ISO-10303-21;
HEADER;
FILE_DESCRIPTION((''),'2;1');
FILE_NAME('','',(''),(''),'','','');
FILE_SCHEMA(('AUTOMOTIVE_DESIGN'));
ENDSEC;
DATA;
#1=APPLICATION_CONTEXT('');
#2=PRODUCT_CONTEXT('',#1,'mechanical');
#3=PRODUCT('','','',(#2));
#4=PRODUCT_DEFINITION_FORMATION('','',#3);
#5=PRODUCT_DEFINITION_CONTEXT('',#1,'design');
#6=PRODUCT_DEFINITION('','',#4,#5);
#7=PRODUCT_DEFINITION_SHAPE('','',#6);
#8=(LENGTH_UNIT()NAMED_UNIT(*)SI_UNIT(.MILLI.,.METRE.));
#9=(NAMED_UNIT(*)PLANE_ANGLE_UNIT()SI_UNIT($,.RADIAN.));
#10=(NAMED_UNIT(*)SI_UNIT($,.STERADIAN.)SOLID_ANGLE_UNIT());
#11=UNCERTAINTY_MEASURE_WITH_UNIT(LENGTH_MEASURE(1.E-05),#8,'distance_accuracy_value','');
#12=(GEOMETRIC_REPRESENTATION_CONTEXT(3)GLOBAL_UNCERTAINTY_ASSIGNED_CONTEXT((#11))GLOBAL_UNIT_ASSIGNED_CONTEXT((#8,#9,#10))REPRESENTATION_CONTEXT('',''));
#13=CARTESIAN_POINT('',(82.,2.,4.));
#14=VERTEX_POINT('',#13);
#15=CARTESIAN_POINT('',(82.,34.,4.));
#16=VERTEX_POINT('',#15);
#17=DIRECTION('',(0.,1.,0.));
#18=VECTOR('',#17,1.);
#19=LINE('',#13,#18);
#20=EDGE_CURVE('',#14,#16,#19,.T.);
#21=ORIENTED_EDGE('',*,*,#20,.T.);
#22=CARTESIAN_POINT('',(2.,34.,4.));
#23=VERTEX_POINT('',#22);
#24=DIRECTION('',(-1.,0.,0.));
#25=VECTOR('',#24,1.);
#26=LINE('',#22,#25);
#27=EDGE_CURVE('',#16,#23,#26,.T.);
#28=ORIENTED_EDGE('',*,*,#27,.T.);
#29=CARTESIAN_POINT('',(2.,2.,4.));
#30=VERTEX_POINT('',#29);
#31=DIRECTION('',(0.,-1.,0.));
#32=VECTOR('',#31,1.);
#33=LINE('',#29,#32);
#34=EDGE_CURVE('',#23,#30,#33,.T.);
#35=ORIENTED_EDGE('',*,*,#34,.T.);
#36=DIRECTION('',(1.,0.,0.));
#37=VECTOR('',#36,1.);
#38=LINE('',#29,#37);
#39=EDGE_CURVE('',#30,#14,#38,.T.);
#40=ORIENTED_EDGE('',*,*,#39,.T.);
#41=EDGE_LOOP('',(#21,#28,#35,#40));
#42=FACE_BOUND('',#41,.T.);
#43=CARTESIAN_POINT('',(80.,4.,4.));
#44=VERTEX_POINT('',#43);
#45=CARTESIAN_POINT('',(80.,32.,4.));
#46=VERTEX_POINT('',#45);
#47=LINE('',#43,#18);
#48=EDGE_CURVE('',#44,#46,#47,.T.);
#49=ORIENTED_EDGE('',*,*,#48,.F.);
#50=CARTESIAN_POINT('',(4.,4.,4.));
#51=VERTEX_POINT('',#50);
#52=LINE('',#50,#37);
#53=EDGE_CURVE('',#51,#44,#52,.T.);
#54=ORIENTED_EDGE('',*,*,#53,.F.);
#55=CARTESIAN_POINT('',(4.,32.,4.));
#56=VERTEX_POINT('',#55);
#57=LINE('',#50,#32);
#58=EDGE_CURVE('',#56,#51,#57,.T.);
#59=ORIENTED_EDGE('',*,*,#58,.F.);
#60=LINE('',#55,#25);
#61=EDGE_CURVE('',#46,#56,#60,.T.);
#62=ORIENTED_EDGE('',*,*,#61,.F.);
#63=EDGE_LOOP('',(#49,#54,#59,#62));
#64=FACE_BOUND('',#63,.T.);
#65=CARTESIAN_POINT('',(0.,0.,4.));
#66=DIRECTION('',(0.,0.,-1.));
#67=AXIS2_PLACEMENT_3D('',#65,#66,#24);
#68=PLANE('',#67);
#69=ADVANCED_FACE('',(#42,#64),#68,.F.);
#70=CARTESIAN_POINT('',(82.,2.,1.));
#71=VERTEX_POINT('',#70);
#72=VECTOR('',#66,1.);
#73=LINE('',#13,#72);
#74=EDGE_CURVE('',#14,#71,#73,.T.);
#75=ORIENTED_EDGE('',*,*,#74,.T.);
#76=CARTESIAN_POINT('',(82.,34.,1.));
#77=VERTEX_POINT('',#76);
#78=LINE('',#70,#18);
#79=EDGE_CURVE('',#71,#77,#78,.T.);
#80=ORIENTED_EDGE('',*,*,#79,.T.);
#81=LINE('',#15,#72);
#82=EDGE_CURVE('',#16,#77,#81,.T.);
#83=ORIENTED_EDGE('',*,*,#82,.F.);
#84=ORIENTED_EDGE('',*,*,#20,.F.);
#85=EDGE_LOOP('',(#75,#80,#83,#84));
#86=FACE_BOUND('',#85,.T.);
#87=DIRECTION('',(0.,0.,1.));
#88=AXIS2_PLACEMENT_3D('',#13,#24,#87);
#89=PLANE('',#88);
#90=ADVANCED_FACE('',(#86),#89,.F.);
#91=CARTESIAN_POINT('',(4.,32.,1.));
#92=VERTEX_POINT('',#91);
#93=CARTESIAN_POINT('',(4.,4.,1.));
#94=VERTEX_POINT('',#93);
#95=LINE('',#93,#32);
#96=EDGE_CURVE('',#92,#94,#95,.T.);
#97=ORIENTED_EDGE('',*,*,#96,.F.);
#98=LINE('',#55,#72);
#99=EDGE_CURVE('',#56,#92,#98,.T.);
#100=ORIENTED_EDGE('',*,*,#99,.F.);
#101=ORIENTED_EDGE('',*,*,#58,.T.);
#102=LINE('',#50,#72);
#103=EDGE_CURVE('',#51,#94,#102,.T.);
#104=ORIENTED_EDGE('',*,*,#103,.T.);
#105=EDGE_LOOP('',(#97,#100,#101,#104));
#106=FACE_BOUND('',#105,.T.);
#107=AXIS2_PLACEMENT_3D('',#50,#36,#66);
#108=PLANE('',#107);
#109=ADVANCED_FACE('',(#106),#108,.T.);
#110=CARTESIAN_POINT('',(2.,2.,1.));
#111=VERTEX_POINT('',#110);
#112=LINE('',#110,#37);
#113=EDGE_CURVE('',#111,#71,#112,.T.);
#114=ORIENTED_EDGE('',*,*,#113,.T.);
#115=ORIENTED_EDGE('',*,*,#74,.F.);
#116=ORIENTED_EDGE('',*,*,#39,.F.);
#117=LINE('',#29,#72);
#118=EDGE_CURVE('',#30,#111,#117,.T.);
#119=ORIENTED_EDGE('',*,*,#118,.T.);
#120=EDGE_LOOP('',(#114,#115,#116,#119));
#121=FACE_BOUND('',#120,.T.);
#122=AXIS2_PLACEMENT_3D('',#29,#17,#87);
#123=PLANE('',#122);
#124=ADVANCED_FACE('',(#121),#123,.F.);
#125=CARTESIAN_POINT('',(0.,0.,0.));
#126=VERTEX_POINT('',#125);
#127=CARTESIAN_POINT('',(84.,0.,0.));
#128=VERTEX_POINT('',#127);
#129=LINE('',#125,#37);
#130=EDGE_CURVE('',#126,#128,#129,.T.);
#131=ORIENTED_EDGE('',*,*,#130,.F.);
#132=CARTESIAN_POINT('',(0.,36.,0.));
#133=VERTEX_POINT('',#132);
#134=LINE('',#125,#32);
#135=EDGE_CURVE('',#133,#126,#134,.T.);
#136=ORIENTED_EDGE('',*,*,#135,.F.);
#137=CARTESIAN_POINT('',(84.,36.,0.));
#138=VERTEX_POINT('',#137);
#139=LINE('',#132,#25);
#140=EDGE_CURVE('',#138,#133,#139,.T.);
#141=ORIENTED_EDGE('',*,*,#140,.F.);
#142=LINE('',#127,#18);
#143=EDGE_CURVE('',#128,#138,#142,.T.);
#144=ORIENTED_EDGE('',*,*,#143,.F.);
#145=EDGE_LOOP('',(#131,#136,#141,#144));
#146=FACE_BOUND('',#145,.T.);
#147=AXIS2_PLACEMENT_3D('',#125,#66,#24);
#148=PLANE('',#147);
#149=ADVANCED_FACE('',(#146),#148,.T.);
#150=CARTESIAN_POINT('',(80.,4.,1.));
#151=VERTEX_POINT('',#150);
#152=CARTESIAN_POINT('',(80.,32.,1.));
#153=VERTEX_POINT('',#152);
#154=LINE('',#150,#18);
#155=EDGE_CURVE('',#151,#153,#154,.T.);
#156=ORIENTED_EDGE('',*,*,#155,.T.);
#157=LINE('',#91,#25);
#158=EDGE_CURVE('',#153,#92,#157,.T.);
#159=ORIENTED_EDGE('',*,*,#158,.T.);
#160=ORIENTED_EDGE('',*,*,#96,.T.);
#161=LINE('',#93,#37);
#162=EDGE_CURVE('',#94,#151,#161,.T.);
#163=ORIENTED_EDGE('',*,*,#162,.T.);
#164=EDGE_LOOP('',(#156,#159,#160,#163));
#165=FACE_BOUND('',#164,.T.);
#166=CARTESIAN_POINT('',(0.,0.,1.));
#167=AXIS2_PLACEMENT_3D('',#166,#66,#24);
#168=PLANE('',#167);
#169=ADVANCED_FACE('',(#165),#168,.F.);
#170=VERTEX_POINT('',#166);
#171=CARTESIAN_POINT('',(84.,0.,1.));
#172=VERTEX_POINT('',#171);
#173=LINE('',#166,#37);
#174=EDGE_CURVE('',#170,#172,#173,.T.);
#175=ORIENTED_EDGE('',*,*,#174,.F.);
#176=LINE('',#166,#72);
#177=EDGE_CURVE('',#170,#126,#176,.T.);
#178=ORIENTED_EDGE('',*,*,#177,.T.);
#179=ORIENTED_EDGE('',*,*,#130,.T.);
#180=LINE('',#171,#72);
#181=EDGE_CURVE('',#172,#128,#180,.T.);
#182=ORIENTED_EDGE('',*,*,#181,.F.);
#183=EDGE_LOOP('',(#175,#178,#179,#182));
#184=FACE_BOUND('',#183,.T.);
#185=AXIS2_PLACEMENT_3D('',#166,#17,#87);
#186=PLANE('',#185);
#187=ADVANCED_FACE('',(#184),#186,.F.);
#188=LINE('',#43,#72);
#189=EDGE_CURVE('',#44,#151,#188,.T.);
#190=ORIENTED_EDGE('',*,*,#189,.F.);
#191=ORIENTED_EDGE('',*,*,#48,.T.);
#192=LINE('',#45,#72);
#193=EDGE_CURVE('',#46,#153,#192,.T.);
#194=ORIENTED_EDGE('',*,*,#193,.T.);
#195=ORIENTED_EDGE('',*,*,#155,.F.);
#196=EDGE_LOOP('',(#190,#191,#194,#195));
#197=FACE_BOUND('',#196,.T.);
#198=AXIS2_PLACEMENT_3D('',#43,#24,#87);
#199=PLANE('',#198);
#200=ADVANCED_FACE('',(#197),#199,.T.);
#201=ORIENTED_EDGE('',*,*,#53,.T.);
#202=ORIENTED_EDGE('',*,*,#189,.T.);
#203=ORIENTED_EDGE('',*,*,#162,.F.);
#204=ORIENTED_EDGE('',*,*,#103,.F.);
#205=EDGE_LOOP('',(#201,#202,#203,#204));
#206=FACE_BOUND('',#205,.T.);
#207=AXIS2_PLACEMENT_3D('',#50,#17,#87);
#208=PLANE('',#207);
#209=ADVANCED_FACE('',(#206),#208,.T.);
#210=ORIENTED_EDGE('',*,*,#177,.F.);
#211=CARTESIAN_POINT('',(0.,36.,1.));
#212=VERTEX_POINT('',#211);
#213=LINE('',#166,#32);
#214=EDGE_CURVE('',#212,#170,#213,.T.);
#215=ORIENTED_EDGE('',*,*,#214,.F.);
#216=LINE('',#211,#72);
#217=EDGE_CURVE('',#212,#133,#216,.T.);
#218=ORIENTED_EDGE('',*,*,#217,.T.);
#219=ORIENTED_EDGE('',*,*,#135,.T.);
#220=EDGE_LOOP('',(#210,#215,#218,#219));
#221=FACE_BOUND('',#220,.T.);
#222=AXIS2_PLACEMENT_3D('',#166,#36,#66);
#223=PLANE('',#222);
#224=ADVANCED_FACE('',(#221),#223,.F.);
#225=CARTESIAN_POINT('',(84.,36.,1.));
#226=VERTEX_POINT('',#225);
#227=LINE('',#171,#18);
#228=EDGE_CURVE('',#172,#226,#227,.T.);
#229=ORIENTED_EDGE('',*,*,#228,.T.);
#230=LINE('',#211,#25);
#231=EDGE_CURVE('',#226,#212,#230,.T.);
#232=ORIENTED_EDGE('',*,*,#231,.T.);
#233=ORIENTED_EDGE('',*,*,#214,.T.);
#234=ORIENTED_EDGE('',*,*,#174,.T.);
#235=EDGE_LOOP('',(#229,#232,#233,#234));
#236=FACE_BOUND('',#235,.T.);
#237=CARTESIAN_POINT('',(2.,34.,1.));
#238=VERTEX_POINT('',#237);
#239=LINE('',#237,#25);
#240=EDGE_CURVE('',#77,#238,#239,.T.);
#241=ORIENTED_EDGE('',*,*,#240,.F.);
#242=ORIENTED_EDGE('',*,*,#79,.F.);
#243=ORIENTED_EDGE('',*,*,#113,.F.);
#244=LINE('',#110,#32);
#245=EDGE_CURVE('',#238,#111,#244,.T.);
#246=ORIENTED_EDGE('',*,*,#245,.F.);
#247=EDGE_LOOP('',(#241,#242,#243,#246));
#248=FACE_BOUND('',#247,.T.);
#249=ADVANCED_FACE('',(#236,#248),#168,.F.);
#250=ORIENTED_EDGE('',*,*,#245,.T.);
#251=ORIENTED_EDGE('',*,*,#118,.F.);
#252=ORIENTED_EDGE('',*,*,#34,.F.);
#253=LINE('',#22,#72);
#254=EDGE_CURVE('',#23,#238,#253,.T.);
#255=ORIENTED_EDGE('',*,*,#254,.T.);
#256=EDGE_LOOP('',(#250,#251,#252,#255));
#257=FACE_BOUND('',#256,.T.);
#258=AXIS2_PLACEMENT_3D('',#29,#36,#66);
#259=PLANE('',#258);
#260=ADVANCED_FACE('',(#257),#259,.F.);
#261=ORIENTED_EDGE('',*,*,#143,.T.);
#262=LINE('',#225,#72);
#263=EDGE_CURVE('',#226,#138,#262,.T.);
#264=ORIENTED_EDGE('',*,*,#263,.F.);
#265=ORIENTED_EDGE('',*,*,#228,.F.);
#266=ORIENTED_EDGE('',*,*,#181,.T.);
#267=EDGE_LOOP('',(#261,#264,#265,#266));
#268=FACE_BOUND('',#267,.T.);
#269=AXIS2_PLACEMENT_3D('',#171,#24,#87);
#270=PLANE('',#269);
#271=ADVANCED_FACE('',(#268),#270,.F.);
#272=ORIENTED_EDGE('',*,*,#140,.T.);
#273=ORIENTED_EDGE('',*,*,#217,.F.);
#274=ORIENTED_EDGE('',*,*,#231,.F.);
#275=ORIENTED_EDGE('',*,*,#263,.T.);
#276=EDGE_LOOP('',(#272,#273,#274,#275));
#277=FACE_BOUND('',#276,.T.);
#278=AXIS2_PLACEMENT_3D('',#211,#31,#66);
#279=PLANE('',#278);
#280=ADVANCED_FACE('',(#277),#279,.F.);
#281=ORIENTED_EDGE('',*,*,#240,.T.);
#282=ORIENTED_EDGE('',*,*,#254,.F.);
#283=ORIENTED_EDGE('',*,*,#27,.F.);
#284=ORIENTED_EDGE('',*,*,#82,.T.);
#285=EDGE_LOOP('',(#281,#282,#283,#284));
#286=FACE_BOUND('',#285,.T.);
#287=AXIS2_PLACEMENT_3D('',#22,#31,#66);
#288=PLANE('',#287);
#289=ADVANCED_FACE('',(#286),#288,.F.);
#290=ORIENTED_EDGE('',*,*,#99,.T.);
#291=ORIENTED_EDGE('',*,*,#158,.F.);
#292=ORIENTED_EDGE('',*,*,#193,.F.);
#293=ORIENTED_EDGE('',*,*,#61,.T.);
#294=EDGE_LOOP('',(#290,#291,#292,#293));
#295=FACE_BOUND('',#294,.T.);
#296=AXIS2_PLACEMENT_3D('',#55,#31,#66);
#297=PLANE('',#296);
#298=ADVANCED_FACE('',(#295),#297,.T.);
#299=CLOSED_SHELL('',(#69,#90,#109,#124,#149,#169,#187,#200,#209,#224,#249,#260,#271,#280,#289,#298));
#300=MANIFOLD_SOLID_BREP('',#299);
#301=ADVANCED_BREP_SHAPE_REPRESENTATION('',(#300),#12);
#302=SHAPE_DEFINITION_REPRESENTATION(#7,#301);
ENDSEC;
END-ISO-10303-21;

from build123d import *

# Parameters (mm, degrees)
SKETCH1_W           = 84
SKETCH1_H           = 36
BOSS_EXTRUDE1_DEPTH = 1
SKETCH2_W           = 80
SKETCH2_H           = 32
SKETCH2_W_2         = 76
SKETCH2_H_2         = 28
BOSS_EXTRUDE2_DEPTH = 3


with BuildPart() as part:
    # Sketch1 → Boss-Extrude1 (new body)
    with BuildSketch(Plane.XY):
        with Locations((42, 18)):
            Rectangle(SKETCH1_W, SKETCH1_H)
    extrude(amount=BOSS_EXTRUDE1_DEPTH)

    # Sketch2 → Boss-Extrude2 (add)
    with BuildSketch(Plane.XY.offset(1)):
        with Locations((42, 18)):
            Rectangle(SKETCH2_W, SKETCH2_H)
        with Locations((42, 18)):
            Rectangle(SKETCH2_W_2, SKETCH2_H_2, mode=Mode.SUBTRACT)
    extrude(amount=BOSS_EXTRUDE2_DEPTH)


solid = part.part
